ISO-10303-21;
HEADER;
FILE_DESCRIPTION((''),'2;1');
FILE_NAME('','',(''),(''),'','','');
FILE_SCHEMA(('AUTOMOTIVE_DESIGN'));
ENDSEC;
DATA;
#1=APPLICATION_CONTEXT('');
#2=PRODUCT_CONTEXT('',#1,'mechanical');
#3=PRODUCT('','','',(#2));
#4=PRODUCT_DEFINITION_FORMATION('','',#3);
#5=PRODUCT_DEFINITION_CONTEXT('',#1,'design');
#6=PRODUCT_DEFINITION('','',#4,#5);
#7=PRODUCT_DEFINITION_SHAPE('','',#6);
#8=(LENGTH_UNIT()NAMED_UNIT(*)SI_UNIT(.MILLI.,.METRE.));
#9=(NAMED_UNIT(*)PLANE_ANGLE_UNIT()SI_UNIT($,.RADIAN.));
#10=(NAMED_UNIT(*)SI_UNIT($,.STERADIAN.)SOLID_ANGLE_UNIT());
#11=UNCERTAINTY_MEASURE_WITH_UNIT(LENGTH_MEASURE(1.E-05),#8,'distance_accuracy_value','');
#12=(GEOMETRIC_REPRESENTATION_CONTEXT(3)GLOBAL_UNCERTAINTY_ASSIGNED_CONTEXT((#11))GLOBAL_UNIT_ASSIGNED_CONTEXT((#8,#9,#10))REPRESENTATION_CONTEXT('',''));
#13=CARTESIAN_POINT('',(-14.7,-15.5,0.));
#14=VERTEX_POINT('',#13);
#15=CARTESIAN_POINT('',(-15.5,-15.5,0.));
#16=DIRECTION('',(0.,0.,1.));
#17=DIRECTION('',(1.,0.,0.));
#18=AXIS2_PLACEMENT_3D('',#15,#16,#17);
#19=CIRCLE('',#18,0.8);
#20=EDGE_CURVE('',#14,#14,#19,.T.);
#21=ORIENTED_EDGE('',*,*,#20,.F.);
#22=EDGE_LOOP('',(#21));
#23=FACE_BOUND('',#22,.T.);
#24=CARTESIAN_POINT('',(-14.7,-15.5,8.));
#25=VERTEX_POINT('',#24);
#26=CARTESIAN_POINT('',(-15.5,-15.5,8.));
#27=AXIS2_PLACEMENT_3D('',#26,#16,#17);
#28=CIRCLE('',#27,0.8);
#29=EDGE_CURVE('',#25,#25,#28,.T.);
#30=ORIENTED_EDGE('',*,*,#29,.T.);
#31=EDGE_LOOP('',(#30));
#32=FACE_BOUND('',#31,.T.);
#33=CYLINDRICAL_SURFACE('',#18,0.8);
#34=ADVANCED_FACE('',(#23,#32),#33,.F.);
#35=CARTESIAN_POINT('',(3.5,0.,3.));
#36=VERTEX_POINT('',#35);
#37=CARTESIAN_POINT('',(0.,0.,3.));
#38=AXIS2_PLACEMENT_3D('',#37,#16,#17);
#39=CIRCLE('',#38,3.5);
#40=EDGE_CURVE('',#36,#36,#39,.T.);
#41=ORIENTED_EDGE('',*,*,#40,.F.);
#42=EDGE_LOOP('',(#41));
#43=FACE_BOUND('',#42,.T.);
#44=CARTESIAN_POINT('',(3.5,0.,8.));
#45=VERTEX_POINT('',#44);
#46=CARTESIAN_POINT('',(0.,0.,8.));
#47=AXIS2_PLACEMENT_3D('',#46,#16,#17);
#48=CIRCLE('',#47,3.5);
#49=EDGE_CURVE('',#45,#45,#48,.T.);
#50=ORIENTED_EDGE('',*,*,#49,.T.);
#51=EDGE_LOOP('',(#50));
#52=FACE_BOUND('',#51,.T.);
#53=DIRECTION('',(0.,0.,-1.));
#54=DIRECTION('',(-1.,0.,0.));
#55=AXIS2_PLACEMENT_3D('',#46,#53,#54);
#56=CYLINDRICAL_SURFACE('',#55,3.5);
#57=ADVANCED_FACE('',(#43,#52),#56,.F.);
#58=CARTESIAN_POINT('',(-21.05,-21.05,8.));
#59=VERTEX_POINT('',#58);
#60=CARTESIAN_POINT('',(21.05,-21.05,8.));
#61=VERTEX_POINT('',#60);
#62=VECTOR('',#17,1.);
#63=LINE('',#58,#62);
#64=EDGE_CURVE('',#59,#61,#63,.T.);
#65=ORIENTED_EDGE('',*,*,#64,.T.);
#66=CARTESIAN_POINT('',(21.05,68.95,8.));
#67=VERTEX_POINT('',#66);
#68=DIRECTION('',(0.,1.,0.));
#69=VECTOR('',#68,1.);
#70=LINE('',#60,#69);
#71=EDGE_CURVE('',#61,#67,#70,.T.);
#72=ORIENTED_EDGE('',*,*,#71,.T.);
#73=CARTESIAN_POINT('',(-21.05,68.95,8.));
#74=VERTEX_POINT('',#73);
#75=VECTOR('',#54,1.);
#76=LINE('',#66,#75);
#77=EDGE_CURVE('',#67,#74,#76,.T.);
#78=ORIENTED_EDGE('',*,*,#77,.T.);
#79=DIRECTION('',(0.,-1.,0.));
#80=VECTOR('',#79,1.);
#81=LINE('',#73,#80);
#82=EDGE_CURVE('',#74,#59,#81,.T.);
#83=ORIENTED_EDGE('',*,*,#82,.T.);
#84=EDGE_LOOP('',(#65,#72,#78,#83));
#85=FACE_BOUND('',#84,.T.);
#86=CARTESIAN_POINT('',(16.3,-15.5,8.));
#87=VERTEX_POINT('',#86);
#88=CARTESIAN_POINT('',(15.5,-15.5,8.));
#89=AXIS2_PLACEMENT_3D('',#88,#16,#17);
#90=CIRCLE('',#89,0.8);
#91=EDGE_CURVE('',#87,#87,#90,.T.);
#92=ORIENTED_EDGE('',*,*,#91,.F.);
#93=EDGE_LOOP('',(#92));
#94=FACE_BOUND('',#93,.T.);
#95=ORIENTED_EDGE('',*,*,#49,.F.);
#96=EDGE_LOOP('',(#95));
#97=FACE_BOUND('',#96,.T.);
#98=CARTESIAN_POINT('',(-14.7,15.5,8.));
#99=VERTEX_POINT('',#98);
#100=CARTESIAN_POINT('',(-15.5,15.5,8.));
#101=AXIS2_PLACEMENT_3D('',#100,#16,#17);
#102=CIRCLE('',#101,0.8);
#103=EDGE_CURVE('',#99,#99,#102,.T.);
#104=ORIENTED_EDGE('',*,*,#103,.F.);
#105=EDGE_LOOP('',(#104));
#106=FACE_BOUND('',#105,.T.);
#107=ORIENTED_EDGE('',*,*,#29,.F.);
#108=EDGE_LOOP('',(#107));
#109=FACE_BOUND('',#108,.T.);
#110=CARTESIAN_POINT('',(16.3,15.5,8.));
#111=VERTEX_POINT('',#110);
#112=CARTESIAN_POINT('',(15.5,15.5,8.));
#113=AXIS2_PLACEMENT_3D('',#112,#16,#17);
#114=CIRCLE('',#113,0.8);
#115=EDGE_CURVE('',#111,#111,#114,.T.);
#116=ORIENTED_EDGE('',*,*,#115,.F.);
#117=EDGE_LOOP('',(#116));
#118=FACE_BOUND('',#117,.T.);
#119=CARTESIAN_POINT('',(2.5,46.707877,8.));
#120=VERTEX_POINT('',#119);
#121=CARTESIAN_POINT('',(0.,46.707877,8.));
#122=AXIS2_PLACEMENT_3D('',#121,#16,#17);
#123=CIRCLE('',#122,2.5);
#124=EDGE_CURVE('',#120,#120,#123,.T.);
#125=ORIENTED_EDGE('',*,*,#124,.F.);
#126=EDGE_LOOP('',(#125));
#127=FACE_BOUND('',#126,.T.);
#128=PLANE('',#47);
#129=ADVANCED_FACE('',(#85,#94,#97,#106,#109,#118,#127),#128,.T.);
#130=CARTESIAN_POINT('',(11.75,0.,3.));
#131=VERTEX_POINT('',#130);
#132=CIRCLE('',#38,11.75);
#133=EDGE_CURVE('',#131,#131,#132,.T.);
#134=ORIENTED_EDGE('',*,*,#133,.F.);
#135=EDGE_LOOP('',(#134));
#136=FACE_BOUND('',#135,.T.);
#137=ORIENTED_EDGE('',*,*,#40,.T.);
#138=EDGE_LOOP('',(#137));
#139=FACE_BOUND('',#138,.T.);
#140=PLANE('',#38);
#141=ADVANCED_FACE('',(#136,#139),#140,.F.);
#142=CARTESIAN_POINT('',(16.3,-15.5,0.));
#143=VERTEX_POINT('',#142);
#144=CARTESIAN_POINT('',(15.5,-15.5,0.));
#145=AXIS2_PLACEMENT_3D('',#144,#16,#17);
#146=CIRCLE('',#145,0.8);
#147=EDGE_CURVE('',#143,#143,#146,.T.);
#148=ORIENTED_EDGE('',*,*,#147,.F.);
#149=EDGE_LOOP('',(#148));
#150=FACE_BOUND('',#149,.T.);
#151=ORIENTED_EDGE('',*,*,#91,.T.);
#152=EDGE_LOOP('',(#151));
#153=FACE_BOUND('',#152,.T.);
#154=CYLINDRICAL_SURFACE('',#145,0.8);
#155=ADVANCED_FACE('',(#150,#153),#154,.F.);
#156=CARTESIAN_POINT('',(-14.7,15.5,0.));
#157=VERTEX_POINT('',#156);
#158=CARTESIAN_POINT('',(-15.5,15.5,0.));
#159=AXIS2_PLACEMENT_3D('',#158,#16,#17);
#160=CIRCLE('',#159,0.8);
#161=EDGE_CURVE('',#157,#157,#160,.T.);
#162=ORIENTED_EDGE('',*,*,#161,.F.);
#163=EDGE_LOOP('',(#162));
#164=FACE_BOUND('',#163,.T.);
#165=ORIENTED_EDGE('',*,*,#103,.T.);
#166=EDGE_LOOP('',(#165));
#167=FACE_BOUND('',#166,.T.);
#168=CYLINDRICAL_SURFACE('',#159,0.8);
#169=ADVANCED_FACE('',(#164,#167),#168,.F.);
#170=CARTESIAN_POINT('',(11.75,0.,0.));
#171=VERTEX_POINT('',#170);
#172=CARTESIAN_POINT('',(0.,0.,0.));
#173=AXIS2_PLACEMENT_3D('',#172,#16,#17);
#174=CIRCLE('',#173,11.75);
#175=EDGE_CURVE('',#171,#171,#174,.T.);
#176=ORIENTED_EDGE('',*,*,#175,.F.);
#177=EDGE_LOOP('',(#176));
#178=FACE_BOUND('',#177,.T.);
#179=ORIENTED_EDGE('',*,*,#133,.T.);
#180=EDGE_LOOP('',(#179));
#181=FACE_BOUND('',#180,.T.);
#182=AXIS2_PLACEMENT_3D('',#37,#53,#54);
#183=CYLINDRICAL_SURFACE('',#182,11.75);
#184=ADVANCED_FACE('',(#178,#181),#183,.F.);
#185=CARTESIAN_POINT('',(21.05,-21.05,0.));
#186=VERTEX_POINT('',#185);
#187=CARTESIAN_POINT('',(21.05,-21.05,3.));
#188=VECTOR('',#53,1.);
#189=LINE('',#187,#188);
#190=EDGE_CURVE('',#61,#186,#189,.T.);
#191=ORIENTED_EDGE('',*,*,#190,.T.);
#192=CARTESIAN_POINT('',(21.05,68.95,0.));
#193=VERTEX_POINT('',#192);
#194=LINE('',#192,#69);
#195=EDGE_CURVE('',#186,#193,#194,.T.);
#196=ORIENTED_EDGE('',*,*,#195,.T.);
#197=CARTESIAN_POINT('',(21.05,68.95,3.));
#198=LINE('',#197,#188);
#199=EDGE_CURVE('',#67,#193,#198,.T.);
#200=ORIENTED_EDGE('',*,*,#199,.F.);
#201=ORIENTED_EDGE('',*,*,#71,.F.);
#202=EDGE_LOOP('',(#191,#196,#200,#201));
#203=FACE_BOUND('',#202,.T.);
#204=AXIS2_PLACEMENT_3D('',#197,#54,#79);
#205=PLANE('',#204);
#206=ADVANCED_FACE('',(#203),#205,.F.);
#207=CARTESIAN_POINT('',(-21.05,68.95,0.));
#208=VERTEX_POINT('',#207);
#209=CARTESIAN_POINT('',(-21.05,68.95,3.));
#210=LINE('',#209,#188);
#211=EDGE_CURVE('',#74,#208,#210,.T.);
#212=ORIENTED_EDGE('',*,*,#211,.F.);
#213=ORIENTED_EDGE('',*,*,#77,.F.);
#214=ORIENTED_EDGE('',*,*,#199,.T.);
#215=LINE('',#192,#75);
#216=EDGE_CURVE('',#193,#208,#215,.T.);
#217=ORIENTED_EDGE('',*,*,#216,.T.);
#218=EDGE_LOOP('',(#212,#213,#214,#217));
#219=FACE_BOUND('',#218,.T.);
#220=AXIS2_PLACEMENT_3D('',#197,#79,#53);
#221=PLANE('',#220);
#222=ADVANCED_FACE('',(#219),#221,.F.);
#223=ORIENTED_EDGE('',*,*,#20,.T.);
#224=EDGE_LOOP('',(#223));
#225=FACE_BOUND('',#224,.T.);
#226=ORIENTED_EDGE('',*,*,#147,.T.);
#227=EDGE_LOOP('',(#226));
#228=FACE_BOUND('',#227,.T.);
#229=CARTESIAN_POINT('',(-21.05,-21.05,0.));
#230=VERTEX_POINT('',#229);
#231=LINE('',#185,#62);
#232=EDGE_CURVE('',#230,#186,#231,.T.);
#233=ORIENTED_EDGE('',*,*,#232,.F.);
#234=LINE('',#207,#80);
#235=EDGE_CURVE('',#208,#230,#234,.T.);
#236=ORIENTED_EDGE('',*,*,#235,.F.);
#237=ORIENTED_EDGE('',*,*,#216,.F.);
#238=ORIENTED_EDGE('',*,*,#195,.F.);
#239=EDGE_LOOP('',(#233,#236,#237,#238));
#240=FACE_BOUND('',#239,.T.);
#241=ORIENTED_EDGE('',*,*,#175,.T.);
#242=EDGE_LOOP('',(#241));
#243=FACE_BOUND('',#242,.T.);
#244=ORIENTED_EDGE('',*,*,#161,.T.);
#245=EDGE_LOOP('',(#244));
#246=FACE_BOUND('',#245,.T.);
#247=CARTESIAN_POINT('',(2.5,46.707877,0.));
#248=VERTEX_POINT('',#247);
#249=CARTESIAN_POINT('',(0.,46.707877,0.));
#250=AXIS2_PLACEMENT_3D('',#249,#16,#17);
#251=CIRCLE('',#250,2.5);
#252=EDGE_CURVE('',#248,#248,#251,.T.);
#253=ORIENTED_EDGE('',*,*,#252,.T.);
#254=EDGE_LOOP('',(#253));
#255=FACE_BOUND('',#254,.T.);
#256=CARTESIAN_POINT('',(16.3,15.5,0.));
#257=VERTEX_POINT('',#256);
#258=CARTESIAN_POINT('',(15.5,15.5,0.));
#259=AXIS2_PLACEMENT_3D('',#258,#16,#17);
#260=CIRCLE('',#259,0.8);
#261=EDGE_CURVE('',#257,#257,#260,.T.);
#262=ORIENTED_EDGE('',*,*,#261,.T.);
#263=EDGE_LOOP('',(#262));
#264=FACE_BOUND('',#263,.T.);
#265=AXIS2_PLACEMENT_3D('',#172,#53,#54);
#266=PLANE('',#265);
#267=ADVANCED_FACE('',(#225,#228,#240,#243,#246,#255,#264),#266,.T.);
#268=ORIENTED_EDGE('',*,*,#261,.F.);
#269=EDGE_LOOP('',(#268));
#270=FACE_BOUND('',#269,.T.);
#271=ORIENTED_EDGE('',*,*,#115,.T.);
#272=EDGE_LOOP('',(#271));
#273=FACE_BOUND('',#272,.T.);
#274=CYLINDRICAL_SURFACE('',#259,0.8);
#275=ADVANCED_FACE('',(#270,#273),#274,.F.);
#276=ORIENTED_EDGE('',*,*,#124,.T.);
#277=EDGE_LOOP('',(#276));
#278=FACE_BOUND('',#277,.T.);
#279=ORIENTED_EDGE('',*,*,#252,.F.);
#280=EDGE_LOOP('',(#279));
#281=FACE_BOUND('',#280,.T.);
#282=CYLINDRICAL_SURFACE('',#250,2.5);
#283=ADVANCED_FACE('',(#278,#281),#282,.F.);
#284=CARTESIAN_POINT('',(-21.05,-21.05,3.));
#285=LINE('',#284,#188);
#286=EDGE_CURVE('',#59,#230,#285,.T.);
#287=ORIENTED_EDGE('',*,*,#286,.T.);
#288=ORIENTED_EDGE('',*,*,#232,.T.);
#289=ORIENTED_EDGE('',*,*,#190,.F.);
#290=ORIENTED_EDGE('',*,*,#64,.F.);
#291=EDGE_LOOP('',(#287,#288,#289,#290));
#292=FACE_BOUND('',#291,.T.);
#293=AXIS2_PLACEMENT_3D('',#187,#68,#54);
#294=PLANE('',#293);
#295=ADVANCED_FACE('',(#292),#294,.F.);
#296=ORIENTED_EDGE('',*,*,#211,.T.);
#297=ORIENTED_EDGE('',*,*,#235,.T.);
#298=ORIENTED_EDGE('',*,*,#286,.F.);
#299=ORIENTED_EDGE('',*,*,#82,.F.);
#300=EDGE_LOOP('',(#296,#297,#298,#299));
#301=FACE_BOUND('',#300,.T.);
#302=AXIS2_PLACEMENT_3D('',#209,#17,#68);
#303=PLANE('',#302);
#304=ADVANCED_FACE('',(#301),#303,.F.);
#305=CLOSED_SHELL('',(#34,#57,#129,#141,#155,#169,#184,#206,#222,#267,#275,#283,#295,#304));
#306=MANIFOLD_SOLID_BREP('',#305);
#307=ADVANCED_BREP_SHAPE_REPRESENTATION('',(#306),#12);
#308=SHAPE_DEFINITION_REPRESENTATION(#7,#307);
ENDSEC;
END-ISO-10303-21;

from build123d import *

# Parameters (mm, degrees)
SKETCH2_W           = 42.1
SKETCH2_H           = 90
SKETCH2_R           = 11.75
BOSS_EXTRUDE1_DEPTH = 3
SKETCH3_W           = 42.1
SKETCH3_H           = 90
SKETCH3_R           = 3.5
BOSS_EXTRUDE2_DEPTH = 5
SKETCH6_R           = 0.8
CUT_EXTRUDE1_DEPTH  = 9
SKETCH7_R           = 2.5
CUT_EXTRUDE2_DEPTH  = 9


with BuildPart() as part:
    # Sketch2 → Boss-Extrude1 (new body)
    with BuildSketch(Plane.XY):
        with Locations((0, 23.95)):
            Rectangle(SKETCH2_W, SKETCH2_H)
        Circle(SKETCH2_R, mode=Mode.SUBTRACT)
    extrude(amount=BOSS_EXTRUDE1_DEPTH)

    # Sketch3 → Boss-Extrude2 (add)
    with BuildSketch(Plane.XY.offset(3)):
        with Locations((0, 23.95)):
            Rectangle(SKETCH3_W, SKETCH3_H)
        Circle(SKETCH3_R, mode=Mode.SUBTRACT)
    extrude(amount=BOSS_EXTRUDE2_DEPTH)

    # Sketch6 → Cut-Extrude1 (cut, through all)
    with BuildSketch(Plane.XY.offset(8)):
        with Locations((-15.5, 15.5)):
            Circle(SKETCH6_R)
        with Locations((-15.5, -15.5)):
            Circle(SKETCH6_R)
        with Locations((15.5, 15.5)):
            Circle(SKETCH6_R)
        with Locations((15.5, -15.5)):
            Circle(SKETCH6_R)
    extrude(amount=-CUT_EXTRUDE1_DEPTH, mode=Mode.SUBTRACT)

    # Sketch7 → Cut-Extrude2 (cut, through all)
    with BuildSketch(Plane.XY.offset(8)):
        with Locations((0, 46.707876994)):
            Circle(SKETCH7_R)
    extrude(amount=-CUT_EXTRUDE2_DEPTH, mode=Mode.SUBTRACT)


solid = part.part
